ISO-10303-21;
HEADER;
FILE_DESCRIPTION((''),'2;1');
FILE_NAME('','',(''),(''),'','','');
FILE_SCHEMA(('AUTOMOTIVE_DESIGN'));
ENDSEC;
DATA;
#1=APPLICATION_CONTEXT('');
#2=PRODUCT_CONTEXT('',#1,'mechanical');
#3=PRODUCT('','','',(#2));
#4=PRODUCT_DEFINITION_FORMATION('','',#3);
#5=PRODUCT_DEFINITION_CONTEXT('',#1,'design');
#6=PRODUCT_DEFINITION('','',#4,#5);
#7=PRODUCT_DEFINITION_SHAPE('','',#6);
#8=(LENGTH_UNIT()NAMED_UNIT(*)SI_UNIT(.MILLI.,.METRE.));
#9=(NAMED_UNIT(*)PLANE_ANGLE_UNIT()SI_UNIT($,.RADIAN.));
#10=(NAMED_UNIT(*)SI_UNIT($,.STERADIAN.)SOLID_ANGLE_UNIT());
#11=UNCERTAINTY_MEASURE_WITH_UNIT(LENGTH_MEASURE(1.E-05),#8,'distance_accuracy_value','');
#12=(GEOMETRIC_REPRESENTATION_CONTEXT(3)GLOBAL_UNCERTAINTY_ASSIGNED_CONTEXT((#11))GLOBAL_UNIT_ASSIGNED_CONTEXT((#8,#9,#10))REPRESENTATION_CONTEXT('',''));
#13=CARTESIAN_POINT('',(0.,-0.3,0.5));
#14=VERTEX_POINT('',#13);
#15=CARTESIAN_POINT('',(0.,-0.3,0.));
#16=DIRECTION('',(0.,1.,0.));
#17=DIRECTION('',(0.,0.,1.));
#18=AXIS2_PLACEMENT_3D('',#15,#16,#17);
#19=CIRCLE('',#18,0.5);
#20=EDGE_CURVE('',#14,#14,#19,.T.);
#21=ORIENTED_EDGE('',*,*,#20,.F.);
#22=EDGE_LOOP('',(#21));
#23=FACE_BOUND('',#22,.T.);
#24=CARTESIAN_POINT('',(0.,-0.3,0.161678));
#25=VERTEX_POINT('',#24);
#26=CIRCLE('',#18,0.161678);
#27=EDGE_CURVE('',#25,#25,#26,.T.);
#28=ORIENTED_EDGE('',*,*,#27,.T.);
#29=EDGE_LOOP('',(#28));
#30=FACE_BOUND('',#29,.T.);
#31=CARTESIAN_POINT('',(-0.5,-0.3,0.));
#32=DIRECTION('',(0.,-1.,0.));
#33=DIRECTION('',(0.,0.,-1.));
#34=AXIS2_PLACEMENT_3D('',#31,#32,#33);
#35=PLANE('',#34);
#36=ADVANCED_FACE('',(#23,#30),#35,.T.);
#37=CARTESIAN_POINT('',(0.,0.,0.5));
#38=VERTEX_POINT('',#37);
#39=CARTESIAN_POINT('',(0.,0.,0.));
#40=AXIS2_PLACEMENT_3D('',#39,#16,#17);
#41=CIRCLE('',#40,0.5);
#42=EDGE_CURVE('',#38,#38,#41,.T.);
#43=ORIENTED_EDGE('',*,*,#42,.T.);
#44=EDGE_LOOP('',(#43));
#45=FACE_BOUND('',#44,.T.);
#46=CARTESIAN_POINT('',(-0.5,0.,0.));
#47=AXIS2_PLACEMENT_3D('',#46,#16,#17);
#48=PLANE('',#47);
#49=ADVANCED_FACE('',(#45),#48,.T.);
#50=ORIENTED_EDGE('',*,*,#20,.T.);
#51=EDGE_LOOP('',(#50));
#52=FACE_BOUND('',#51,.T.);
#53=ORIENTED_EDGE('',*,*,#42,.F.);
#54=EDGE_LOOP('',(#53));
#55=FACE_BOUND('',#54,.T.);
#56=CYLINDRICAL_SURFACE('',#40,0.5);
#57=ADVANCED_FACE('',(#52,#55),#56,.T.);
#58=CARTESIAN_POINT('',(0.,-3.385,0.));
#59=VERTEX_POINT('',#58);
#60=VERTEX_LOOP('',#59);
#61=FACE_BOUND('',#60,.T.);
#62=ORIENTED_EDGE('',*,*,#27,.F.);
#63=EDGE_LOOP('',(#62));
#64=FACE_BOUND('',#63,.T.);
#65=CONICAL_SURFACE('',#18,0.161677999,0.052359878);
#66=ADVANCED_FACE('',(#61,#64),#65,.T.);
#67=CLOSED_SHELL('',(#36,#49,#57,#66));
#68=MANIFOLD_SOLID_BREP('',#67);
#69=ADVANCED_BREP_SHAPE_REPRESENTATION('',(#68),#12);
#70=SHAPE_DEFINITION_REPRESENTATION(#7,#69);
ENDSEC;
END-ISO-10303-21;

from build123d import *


with BuildPart() as part:
    # Sketch1 → Revolve2 (revolve)
    with BuildSketch(Plane.XY, mode=Mode.PRIVATE) as revolve2_sk:
        Polygon((-0.5, -0.3), (-0.5, 0), (0, 0), (0, -3.385), (-0.161677999, -0.3), align=None)
    revolve(revolve2_sk.sketch.rotate(Axis((0, 0, 0), (0, -1, 0)), 270), axis=Axis((0, 0, 0), (0, -1, 0)))


solid = part.part
